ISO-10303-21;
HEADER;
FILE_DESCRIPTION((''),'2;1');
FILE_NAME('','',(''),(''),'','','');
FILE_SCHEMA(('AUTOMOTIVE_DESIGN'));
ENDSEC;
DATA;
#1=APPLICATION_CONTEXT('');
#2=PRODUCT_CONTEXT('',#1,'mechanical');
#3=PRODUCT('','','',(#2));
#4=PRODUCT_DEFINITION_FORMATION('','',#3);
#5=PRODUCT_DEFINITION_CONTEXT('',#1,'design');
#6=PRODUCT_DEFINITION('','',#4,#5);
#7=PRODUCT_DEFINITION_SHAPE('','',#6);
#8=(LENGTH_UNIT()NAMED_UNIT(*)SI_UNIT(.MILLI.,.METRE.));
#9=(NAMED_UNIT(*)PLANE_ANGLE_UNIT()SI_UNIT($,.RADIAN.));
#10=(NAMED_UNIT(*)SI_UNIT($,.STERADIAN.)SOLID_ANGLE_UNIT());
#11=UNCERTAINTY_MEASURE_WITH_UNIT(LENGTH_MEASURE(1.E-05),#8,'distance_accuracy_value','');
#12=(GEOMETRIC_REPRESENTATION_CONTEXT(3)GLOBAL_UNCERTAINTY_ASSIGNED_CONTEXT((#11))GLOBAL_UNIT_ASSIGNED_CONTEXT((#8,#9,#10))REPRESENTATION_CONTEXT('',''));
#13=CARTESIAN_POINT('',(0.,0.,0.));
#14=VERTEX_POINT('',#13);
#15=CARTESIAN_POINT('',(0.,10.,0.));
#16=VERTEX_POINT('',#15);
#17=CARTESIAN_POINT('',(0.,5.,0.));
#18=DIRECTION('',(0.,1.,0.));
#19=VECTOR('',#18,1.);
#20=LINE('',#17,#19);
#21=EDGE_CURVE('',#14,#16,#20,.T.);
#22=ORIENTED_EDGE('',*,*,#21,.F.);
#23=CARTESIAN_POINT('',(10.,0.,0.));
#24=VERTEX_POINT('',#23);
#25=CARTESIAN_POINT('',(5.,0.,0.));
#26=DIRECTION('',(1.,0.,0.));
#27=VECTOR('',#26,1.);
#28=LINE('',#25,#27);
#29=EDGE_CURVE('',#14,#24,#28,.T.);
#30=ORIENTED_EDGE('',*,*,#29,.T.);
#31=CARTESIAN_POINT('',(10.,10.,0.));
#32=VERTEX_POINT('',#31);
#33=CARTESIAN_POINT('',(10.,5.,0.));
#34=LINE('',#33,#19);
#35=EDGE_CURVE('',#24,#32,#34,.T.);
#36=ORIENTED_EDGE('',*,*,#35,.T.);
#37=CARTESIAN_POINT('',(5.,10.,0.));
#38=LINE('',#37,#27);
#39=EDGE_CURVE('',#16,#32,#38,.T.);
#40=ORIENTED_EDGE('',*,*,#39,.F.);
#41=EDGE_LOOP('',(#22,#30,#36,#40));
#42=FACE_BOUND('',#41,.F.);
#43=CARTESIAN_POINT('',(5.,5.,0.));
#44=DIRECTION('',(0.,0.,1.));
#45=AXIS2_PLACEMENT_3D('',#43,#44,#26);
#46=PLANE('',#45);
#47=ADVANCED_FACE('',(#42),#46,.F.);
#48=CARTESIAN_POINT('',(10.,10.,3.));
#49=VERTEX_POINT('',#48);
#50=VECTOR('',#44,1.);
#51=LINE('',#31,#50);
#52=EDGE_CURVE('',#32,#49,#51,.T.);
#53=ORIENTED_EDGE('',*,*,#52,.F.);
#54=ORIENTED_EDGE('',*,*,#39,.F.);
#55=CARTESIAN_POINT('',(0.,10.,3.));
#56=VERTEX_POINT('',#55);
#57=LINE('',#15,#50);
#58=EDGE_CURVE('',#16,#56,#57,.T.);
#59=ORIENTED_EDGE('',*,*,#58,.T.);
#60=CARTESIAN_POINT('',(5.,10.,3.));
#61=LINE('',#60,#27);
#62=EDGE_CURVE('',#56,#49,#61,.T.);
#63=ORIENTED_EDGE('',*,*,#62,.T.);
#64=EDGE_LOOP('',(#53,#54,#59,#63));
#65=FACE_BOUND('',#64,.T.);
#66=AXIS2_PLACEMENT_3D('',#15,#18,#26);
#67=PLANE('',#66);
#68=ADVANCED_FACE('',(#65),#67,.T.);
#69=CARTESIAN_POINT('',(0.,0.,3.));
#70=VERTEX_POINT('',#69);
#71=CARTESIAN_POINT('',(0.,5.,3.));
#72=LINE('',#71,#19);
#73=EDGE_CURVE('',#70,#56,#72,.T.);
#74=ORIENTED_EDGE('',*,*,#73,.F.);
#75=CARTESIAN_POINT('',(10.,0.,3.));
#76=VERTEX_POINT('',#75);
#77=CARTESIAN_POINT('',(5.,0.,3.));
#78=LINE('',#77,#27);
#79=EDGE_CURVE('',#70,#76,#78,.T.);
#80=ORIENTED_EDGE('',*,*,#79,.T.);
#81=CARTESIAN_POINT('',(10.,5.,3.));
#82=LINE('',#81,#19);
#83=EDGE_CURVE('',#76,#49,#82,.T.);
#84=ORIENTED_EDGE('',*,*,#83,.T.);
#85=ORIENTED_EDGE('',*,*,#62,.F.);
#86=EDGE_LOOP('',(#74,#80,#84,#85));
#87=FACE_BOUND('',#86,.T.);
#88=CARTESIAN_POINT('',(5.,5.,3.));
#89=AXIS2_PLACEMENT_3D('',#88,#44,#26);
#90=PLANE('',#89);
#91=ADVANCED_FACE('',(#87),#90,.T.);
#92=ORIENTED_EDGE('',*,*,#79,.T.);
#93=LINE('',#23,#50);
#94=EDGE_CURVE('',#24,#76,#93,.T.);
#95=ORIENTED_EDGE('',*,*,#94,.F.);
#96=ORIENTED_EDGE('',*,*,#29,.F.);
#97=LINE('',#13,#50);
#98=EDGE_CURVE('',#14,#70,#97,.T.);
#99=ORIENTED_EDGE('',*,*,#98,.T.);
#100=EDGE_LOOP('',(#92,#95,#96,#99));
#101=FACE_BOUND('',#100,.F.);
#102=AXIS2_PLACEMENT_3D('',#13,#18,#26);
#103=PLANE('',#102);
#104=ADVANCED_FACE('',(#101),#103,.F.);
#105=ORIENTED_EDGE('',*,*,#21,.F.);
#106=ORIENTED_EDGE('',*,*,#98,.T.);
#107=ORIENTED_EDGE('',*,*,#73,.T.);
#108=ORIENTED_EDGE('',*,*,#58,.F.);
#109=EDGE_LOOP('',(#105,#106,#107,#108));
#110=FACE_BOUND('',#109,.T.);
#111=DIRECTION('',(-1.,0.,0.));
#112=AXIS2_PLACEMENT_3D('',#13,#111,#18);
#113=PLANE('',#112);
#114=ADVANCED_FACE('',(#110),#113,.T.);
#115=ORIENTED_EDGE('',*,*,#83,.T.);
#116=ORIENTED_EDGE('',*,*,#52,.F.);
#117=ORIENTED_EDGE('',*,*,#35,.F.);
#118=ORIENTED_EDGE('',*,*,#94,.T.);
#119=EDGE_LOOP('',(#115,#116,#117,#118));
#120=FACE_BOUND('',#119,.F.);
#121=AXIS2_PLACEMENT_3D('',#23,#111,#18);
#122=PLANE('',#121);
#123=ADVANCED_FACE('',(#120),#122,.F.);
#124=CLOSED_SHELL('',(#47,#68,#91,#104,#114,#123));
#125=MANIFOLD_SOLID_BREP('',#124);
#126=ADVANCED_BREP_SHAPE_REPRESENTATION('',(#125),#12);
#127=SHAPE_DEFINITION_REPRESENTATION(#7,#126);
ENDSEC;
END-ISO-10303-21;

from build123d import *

# Parameters (mm, degrees)
BOX_W     = 10
BOX_H     = 10
BOX_DEPTH = 3


with BuildPart() as part:
    # Box → Box (new body)
    with BuildSketch(Plane.XY):
        with Locations((5, 5)):
            Rectangle(BOX_W, BOX_H)
    extrude(amount=BOX_DEPTH)


solid = part.part
